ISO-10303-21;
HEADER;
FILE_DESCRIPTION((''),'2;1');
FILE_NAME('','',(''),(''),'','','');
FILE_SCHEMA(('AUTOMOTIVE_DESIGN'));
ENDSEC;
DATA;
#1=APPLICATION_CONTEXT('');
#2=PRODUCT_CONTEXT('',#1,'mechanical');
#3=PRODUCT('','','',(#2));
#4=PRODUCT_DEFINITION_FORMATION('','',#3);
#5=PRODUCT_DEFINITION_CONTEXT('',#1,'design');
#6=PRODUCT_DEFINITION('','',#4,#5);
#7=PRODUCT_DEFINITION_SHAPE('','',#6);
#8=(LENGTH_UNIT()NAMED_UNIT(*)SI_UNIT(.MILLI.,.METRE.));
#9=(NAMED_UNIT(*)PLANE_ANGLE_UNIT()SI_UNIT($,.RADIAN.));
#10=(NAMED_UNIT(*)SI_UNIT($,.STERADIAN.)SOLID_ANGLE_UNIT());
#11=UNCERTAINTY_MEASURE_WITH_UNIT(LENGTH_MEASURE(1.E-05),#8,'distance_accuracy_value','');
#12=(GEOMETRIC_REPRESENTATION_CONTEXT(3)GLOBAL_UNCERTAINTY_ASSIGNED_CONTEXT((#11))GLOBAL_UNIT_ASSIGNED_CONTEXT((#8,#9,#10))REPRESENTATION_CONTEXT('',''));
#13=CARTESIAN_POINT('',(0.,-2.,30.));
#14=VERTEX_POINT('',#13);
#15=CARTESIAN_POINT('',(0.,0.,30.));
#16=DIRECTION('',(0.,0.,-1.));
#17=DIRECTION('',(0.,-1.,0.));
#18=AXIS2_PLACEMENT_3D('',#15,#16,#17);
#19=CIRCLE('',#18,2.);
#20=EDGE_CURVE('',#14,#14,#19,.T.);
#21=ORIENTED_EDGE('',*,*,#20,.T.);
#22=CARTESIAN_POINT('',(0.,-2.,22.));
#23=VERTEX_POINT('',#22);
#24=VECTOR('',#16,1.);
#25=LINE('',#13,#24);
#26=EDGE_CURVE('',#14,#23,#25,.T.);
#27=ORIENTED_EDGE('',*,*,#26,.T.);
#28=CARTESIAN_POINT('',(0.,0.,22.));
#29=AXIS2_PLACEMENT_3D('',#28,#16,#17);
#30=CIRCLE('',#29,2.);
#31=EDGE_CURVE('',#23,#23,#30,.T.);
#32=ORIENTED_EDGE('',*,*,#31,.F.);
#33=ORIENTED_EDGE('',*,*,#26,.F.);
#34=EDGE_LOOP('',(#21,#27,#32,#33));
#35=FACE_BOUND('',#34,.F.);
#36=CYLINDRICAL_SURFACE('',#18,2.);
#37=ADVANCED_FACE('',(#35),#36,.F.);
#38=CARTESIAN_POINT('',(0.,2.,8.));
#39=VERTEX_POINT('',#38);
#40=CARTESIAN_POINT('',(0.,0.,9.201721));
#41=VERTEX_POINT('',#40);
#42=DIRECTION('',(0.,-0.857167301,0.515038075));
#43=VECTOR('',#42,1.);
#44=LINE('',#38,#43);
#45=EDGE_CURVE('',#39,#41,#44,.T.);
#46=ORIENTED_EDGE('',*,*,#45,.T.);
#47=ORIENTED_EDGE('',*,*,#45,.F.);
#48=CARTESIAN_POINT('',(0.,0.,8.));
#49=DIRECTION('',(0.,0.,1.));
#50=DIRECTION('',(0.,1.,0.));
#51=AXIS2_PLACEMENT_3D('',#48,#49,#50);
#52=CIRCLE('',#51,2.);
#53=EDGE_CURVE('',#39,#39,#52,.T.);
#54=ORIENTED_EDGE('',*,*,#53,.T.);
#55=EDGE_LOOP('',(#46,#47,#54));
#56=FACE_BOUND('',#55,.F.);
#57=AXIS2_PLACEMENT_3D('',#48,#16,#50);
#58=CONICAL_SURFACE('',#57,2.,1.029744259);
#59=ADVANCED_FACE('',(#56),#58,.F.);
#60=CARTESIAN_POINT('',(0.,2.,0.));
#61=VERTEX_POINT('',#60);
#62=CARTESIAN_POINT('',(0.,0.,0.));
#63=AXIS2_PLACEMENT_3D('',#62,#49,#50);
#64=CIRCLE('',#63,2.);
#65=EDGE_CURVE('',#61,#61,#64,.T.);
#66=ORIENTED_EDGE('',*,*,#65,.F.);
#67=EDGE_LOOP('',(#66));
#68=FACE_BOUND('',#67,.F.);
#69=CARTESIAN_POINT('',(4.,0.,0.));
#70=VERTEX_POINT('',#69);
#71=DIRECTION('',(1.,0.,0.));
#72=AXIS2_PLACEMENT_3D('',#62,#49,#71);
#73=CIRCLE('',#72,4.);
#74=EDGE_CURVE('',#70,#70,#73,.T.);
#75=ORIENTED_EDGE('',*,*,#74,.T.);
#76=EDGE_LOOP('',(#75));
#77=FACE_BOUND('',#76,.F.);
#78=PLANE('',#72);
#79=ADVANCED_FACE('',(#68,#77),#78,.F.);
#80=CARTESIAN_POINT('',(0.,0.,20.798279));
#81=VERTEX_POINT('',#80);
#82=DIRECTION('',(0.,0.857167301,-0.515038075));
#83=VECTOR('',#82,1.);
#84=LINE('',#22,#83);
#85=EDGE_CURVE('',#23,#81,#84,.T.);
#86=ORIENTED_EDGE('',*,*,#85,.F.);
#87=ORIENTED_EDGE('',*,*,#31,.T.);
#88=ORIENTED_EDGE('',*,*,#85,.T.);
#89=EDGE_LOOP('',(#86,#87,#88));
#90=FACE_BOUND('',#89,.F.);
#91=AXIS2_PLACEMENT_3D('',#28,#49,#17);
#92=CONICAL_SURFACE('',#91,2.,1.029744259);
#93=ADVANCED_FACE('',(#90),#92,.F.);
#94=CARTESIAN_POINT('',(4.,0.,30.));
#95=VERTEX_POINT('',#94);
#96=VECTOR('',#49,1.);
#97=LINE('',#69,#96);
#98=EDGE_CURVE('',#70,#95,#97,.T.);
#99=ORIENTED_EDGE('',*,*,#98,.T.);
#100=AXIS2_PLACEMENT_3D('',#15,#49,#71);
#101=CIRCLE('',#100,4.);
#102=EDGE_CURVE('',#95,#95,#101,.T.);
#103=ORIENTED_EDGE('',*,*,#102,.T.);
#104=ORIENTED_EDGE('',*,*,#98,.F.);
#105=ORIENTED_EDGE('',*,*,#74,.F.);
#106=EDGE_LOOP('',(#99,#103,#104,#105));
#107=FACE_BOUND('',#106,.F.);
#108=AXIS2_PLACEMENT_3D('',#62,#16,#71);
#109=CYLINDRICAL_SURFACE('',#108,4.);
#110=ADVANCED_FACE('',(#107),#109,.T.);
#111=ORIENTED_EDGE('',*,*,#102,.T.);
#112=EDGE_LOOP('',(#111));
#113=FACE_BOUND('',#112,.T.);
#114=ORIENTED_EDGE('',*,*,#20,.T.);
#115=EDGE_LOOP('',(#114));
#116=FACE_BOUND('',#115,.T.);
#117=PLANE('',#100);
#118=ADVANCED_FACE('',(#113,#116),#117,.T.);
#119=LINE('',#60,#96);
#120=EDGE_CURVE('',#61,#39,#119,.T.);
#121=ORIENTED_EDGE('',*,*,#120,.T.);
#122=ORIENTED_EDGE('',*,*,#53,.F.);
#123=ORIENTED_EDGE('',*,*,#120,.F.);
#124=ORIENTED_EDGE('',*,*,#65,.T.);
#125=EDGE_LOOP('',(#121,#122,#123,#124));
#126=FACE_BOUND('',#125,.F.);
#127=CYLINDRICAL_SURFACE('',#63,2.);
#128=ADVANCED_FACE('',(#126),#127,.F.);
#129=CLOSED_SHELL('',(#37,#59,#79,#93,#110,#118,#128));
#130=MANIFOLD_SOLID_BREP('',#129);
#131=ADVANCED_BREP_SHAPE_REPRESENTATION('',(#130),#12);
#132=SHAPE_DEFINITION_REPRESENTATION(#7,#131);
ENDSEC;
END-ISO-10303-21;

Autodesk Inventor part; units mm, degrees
ref_plane "YZ Plane" through (0, 0, 0) normal (1, 0, 0) x (0, 1, 0)
ref_plane "XZ Plane" through (0, 0, 0) normal (0, 1, 0) x (-1, 0, 0)
ref_plane "XY Plane" through (0, 0, 0) normal (0, 0, 1) x (1, 0, 0)
sketch "スケッチ1" plane through (0, 0, 0) normal (0, 0, 1) x (1, 0, 0)
  circle A0 centre (0, 0) radius 4
  dimension "d0" = 8
extrude "押し出し1" add sketch "スケッチ1" along normal blind 30
hole "穴1" at (0, 0, 0) direction (0, 0, 1) diameter 4 depth 8 tip angle 118
sketch "スケッチ2" plane through (0, 0, 30) normal (0, 0, 1) x (1, 0, 0)
  point P0 (0, 0)
  point P1 (0, 0)
hole "穴2" at (0, 0, 30) direction (0, 0, -1) diameter 4 depth 8 tip angle 118
properties part number "スペーサ　m4-l30" material "アルミニウム 2014-T4"
